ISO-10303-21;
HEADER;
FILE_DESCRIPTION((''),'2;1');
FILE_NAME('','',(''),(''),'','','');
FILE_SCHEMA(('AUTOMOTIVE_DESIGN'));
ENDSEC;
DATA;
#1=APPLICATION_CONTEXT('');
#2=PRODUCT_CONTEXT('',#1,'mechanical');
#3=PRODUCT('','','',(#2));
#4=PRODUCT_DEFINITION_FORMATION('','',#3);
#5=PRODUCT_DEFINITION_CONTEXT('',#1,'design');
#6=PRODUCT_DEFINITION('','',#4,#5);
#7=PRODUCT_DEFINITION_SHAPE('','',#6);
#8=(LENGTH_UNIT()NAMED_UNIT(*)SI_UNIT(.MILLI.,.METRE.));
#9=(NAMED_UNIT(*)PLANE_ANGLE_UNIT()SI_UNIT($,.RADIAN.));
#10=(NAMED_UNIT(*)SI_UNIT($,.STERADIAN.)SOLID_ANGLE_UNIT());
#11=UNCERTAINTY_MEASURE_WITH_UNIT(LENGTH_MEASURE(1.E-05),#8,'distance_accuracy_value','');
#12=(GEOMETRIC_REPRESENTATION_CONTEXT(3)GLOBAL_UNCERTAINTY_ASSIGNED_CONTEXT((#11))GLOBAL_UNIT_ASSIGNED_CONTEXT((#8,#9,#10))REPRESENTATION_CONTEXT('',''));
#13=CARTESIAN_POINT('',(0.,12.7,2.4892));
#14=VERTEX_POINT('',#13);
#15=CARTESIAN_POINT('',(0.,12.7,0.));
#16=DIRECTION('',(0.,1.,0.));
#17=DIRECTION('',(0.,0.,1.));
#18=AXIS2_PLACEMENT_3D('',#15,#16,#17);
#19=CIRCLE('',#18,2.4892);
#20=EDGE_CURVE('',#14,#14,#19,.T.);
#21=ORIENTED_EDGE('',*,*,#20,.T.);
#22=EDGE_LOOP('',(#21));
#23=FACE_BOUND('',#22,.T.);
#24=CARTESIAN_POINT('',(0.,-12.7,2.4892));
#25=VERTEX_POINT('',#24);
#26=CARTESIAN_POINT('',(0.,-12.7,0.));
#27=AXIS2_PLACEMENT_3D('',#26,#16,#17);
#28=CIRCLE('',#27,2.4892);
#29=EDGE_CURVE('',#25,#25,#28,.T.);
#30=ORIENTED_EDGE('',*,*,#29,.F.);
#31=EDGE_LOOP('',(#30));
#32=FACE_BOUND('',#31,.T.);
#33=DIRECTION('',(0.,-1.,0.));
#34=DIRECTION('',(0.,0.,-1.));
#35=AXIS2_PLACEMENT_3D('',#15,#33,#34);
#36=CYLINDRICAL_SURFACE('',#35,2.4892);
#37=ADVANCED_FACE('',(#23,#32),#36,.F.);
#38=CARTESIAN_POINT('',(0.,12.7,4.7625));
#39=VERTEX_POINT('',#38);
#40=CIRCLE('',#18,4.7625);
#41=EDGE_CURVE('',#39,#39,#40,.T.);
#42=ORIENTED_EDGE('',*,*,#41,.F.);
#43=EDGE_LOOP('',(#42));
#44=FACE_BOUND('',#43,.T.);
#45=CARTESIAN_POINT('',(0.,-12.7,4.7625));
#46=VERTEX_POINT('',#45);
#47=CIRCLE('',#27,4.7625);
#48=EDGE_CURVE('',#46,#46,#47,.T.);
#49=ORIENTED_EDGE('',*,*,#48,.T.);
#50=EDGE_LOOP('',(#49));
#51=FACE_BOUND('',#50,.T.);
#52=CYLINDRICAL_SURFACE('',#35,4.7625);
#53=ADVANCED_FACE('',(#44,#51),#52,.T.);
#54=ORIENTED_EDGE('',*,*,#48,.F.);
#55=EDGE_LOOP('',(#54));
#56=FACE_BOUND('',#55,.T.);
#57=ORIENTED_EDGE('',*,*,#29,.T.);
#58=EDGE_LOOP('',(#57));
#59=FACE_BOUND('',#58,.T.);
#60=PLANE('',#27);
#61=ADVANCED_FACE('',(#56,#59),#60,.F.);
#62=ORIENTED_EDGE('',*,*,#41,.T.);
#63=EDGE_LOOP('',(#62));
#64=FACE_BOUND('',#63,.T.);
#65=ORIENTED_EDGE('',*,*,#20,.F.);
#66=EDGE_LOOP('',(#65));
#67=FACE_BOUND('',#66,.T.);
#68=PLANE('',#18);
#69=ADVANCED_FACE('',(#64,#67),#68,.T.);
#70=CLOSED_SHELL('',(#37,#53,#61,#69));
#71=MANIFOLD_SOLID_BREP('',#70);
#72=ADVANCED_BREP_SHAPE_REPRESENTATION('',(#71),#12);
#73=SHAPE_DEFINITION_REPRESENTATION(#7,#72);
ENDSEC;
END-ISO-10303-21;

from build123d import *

# Parameters (mm, degrees)
SKETCH1_R           = 4.7625
SKETCH1_R_2         = 2.4892
BOSS_EXTRUDE1_DEPTH = 12.7


with BuildPart() as part:
    # Sketch1 → Boss-Extrude1 (new body, symmetric)
    with BuildSketch(Plane(origin=(0, 0, 0), x_dir=(1, 0, 0), z_dir=(0, 1, 0))):
        Circle(SKETCH1_R)
        Circle(SKETCH1_R_2, mode=Mode.SUBTRACT)
    extrude(amount=BOSS_EXTRUDE1_DEPTH, both=True)


solid = part.part
